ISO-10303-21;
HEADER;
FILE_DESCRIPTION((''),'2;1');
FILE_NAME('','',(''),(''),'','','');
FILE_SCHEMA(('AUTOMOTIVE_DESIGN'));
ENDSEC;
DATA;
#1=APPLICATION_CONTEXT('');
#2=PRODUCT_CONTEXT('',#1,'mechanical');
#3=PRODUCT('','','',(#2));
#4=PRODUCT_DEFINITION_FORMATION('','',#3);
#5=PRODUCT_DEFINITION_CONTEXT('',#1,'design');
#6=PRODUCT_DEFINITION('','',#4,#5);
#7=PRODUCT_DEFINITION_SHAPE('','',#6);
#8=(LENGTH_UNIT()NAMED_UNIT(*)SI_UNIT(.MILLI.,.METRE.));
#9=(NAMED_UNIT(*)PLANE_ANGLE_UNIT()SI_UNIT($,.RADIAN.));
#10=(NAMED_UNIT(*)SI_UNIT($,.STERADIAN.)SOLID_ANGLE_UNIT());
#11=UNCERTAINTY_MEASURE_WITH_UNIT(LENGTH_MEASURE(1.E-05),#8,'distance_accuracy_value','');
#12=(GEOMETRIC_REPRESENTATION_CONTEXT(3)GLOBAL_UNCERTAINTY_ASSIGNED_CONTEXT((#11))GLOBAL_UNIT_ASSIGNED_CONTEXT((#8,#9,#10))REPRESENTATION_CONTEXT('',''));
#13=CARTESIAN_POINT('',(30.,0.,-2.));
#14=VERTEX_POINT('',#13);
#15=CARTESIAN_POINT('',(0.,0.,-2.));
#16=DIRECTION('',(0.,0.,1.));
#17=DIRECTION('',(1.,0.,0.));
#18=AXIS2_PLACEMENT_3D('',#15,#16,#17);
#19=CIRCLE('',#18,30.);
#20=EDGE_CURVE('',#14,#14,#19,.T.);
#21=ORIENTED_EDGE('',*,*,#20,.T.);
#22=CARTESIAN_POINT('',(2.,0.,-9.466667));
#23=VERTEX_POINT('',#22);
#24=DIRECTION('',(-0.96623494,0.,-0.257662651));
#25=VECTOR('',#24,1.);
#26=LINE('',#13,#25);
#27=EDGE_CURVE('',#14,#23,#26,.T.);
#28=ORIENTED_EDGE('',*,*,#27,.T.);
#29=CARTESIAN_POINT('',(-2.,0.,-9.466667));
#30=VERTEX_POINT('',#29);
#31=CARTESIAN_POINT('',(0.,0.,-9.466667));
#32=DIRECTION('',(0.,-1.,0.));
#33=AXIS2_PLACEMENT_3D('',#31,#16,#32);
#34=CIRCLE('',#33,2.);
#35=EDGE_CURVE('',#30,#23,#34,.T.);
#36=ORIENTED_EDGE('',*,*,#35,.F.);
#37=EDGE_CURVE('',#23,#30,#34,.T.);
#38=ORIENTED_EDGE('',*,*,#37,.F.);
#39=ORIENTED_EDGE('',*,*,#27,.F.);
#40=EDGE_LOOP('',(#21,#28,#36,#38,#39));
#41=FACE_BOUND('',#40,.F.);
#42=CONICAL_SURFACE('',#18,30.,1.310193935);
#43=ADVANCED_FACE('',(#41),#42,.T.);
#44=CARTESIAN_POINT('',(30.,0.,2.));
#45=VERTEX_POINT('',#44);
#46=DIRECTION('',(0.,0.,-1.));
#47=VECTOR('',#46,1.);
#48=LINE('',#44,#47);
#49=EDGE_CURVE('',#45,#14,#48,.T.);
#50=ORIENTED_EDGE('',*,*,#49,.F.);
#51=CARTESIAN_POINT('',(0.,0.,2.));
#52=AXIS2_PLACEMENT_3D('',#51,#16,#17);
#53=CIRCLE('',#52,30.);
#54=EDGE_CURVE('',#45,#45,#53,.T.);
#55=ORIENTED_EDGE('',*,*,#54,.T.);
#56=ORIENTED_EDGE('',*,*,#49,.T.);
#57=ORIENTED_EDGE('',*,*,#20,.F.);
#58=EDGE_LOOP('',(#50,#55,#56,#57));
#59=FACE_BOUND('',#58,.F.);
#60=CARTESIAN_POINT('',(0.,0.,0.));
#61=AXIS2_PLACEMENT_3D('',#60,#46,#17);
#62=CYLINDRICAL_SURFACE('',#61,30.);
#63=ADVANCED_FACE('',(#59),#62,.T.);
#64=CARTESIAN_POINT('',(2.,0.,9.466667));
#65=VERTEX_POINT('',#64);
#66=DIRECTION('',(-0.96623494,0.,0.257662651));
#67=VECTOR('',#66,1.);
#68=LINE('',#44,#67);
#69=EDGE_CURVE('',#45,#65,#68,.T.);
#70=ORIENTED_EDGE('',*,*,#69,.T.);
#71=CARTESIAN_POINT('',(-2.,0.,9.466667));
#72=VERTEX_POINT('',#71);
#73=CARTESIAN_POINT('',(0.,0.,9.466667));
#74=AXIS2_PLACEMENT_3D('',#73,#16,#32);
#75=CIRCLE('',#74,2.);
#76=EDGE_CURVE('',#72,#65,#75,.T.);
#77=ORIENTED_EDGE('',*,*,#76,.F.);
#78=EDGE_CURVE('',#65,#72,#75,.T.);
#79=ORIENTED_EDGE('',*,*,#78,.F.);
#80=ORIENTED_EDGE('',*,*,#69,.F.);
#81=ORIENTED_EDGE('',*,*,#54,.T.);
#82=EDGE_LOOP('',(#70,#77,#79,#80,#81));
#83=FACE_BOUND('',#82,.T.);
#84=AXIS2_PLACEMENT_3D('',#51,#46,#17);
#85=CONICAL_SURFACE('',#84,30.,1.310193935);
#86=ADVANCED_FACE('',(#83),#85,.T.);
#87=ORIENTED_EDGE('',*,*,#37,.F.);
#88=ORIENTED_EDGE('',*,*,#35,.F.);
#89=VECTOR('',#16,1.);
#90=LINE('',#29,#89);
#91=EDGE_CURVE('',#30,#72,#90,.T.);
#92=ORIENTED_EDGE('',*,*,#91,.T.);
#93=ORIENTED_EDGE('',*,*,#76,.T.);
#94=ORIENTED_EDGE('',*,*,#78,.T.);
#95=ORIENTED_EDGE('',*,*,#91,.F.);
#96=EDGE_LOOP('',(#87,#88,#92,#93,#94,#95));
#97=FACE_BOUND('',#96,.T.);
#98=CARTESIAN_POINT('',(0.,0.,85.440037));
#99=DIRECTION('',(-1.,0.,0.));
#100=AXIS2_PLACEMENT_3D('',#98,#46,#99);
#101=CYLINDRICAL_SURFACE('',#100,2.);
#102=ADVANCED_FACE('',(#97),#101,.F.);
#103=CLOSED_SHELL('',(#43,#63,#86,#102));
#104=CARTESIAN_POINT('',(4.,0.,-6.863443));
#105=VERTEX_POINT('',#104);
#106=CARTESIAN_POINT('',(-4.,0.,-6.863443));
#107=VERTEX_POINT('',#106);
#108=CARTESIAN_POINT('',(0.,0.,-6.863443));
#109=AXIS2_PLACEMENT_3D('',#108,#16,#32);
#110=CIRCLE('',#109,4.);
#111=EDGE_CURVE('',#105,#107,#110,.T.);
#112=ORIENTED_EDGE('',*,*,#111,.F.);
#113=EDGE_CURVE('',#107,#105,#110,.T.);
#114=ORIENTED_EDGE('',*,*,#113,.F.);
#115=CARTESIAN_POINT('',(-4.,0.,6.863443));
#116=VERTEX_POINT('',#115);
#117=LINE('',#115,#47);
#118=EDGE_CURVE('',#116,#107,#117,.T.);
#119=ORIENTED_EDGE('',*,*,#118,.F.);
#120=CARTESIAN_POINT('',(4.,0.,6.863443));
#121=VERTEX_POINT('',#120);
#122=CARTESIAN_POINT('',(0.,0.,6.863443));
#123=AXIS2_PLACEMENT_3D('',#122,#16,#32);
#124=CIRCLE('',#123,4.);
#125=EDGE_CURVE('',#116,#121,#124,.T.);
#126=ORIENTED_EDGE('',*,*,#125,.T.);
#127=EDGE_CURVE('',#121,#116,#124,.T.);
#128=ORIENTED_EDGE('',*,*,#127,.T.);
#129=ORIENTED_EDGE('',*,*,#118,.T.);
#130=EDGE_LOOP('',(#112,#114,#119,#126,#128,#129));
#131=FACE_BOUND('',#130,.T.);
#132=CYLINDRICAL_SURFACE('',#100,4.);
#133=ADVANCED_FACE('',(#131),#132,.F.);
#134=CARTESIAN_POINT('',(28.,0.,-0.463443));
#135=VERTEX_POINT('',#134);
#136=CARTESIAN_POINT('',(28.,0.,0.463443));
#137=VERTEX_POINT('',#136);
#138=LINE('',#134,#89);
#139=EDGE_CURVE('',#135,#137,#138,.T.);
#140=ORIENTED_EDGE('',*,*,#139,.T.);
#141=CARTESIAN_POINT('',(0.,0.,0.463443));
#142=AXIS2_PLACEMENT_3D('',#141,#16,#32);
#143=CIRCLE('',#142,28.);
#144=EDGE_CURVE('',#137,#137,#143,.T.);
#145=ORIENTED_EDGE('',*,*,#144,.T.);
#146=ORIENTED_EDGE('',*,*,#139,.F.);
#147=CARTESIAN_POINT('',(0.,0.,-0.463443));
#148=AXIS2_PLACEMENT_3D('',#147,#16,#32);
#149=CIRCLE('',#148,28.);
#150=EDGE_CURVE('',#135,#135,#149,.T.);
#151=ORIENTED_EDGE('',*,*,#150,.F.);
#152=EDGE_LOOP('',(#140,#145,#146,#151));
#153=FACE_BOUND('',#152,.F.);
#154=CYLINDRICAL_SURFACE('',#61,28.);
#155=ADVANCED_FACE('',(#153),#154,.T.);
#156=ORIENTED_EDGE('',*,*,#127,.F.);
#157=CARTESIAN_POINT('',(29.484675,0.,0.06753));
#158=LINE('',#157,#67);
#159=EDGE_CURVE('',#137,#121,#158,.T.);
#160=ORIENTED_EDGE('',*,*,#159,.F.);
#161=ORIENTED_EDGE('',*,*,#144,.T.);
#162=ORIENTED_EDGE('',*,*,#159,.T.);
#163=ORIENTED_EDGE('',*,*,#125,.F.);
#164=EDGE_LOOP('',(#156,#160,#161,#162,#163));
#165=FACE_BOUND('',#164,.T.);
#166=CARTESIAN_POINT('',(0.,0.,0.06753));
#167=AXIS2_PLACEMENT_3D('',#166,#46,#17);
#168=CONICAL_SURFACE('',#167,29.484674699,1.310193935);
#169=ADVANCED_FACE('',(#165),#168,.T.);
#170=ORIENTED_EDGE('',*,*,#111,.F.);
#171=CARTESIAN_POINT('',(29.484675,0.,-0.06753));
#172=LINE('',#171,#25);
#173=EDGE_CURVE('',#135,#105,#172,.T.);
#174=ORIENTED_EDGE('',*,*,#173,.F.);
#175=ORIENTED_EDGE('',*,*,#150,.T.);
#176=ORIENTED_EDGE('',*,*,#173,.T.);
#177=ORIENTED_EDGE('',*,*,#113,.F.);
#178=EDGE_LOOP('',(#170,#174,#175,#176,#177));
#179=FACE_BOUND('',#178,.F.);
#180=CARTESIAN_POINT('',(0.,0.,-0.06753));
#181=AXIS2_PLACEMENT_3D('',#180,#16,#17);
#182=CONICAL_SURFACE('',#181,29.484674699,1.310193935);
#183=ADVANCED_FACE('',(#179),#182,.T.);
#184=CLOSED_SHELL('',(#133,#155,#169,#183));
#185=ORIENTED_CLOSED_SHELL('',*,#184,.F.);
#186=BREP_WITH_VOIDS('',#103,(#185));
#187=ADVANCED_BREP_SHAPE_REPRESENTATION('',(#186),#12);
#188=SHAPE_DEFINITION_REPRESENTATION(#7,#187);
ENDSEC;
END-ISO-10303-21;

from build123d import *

# Parameters (mm, degrees)
F3_D = 4
F4_T = -2


with BuildPart() as f1:
    # F0 (on Front) → F1 (revolve)
    with BuildSketch(Plane.XZ):
        Polygon((0, 10), (0, 0), (30, 0), (30, 2), align=None)
    revolve(axis=Axis((0, 0, 5), (0, 0, 1)))

    # F3 (through all)
    with Locations(Plane(origin=(0, 0, 0), x_dir=(1, 0, 0), z_dir=(0, 0, -1))):
        with Locations((0, 0)):
            Hole(F3_D / 2)

    # F4
    f4_openings = [f1.faces().sort_by_distance(p)[0] for p in [
        (-29.151472, 0, 0),
    ]]
    offset(amount=F4_T, openings=f4_openings)

    # F5: F1 across plane


with BuildPart() as f1_1:
    add(f1.part)
    add(f1.part.mirror(Plane.XY))


solid = f1_1.part
